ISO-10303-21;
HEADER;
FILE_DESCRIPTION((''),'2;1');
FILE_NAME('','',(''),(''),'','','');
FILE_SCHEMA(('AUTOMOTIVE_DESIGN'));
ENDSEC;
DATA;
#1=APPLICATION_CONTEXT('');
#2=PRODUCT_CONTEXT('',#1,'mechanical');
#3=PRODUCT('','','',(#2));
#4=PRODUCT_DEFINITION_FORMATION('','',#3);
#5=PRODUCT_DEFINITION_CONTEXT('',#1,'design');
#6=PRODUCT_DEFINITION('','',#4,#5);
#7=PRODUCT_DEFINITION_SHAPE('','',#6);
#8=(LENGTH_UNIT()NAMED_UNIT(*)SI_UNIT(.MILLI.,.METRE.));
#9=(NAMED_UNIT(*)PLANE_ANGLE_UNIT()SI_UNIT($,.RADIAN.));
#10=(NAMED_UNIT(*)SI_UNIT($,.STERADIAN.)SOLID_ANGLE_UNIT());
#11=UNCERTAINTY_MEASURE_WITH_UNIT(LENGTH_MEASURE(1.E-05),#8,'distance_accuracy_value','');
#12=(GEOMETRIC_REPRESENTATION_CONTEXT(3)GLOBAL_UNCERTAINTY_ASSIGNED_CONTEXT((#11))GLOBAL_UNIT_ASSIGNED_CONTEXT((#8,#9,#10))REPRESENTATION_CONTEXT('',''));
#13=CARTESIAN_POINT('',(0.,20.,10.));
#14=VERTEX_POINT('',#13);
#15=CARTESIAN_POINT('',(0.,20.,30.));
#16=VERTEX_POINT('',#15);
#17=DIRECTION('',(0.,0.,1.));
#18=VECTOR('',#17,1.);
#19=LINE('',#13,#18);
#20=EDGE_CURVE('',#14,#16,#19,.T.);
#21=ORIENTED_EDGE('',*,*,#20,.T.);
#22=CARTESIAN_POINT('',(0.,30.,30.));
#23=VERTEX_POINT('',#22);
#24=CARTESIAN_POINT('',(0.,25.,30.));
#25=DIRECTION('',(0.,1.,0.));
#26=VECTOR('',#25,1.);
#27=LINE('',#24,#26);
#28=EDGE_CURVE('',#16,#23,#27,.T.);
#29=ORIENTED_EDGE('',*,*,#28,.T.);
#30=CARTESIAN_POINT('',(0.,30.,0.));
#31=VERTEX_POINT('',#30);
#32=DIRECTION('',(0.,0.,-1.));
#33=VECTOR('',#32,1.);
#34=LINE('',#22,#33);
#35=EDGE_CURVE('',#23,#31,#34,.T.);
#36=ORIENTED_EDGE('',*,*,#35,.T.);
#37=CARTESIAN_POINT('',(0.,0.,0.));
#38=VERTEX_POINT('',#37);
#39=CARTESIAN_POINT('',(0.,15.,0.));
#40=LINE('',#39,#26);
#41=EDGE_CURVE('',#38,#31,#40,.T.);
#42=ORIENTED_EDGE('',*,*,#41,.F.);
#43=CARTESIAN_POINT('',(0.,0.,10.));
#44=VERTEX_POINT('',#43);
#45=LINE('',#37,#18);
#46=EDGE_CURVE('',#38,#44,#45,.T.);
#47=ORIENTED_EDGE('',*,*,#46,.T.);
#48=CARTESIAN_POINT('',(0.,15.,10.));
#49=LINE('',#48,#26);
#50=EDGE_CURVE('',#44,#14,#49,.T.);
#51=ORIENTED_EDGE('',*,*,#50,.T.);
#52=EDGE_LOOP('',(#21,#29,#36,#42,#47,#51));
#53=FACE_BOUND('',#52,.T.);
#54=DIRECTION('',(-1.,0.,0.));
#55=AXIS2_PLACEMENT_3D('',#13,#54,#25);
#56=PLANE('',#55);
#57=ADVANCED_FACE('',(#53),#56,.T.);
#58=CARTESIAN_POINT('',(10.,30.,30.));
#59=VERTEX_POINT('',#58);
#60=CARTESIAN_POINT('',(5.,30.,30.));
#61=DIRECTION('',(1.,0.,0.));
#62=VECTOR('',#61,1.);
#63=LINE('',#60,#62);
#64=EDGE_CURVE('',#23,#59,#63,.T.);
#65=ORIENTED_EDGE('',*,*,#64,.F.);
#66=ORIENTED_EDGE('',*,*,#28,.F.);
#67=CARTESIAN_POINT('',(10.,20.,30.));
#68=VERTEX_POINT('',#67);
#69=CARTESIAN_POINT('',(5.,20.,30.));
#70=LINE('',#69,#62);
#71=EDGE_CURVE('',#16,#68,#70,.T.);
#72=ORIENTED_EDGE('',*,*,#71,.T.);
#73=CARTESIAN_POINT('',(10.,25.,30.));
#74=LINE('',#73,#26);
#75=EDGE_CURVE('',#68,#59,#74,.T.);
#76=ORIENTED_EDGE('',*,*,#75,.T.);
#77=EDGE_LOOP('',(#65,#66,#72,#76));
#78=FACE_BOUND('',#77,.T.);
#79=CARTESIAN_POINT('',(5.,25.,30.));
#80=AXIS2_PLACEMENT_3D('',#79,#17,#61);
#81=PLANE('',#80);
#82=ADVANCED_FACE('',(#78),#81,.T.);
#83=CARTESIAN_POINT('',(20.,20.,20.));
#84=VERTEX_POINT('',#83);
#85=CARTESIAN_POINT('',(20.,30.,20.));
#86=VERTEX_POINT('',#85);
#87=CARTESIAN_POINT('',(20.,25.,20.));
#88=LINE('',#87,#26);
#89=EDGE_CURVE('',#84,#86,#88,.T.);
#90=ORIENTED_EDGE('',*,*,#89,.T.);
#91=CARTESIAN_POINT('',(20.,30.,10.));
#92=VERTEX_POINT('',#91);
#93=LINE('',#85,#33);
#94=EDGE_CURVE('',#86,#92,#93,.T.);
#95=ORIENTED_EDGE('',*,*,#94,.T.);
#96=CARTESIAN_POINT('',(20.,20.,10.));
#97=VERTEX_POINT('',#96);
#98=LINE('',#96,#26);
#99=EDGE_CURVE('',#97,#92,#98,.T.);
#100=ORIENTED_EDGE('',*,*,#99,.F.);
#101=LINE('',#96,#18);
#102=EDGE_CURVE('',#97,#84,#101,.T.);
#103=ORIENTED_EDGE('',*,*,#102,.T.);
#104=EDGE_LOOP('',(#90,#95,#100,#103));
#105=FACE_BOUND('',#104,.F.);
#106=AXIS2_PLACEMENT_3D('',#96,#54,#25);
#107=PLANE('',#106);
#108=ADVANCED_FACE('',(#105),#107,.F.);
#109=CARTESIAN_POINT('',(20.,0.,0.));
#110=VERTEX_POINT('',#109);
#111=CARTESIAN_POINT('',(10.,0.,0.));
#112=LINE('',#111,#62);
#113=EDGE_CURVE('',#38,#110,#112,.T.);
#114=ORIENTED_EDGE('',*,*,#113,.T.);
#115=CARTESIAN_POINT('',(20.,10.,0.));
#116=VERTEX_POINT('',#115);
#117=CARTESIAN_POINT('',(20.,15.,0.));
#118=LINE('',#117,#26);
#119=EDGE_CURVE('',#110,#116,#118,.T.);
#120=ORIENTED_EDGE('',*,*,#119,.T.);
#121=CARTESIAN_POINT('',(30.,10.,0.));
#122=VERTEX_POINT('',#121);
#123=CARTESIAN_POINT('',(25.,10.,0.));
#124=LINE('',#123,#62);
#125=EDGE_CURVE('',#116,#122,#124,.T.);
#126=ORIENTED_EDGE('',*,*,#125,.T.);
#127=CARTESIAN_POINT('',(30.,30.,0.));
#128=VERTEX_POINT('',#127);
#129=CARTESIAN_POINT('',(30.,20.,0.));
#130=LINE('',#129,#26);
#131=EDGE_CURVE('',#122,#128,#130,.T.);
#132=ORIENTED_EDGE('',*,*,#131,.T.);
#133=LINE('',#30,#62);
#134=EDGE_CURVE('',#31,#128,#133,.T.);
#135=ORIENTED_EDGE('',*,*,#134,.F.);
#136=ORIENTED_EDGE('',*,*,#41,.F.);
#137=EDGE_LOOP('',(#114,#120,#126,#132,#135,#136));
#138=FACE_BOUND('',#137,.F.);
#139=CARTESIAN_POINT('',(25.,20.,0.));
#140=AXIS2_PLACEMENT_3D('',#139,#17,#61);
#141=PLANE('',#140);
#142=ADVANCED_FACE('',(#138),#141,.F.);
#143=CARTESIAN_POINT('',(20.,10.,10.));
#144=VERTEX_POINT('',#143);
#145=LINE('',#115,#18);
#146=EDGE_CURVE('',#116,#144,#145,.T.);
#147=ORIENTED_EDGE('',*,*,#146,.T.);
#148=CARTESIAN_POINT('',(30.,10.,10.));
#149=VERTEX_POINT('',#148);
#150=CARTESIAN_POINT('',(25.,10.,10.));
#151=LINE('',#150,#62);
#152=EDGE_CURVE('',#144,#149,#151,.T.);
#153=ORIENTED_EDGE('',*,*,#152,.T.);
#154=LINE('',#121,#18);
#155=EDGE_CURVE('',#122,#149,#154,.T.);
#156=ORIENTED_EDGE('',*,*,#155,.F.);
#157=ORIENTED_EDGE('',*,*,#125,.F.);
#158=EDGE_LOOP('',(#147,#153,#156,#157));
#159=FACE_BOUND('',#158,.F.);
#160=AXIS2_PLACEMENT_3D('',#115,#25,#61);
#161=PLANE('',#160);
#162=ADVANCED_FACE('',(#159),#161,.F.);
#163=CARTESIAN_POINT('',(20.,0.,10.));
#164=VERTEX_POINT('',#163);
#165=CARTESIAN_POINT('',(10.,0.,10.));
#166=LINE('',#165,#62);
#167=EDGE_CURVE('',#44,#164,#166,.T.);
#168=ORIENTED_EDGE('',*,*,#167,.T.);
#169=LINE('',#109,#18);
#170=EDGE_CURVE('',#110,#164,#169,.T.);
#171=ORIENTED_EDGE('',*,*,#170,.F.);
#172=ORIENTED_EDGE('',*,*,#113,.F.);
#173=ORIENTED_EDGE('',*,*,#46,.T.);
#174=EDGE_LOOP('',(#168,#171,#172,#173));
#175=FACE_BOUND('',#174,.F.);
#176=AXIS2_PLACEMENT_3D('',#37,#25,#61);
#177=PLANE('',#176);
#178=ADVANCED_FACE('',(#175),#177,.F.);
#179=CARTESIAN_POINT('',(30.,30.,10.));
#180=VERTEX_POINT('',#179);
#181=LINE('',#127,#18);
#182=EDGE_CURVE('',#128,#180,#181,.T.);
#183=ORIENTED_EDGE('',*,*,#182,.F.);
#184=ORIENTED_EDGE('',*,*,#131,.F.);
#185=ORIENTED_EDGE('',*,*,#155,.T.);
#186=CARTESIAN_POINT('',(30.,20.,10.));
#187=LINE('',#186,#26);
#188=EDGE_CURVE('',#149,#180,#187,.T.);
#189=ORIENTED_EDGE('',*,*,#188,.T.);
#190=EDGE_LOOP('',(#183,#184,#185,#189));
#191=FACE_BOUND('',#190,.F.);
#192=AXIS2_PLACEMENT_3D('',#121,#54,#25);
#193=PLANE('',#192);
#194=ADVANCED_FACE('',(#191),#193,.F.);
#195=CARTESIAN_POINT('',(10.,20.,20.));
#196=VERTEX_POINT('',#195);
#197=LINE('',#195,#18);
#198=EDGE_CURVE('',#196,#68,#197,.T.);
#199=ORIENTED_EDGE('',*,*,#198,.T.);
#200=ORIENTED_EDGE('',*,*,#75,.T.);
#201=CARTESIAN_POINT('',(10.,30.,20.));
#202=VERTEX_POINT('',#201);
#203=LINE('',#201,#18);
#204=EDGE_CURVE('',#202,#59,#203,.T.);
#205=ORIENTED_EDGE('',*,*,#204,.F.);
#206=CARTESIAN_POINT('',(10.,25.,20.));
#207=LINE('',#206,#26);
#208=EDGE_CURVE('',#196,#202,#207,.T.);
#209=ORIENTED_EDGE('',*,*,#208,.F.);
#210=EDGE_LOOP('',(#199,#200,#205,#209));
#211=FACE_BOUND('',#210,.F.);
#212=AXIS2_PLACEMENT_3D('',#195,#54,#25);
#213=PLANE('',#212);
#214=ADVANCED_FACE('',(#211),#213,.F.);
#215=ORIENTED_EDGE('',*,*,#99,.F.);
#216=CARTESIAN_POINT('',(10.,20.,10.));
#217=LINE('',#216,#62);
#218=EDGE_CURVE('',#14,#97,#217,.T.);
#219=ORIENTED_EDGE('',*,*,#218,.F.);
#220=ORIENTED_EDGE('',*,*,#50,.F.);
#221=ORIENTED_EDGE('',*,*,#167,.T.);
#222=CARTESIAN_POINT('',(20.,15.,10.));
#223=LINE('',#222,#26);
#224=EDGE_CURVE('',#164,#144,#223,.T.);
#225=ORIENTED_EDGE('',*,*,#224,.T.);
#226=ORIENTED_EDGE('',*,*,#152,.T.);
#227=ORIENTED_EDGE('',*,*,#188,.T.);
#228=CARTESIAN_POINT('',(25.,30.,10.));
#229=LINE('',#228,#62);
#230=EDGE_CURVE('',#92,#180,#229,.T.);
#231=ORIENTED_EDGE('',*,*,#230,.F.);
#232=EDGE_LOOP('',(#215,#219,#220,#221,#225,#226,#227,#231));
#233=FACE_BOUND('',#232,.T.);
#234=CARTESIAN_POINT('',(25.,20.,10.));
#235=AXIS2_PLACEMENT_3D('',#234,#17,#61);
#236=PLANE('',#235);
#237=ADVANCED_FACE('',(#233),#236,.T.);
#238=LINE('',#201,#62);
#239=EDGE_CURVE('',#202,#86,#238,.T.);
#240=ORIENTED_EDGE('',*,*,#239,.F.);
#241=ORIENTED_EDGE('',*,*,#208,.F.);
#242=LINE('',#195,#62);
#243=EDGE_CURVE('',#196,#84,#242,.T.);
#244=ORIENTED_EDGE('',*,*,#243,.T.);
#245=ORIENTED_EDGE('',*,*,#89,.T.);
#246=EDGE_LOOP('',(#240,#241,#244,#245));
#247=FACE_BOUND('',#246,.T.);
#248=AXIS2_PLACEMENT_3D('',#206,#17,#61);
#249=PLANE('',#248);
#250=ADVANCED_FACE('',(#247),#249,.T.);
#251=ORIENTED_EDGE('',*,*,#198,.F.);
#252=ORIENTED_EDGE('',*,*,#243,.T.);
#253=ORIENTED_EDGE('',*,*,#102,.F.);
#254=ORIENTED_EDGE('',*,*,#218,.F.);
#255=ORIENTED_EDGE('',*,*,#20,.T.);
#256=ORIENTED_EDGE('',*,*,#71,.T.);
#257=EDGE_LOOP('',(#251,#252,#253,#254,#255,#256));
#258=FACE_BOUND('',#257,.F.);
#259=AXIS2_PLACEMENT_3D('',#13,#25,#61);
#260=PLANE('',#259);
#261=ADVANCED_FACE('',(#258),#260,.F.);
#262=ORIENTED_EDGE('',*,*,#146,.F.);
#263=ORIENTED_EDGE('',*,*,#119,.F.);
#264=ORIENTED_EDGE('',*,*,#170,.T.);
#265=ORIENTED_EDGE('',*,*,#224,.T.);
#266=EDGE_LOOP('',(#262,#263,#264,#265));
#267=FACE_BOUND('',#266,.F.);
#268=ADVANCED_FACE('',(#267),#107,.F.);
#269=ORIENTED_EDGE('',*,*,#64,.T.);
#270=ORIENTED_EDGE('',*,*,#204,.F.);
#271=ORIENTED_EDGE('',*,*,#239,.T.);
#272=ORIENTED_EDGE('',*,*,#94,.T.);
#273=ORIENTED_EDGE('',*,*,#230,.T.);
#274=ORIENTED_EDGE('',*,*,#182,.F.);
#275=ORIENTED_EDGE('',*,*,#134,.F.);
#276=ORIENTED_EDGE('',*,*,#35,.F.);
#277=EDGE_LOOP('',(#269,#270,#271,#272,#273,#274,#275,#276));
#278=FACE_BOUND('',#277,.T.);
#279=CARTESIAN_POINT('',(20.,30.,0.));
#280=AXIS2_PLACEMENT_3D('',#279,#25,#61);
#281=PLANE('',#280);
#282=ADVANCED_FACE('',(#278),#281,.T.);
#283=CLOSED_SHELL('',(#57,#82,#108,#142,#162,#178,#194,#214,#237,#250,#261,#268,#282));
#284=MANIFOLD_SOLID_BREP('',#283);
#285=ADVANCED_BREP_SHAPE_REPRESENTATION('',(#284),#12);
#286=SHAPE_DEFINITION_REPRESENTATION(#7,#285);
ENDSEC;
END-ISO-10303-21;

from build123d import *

# Parameters (mm, degrees)
BOX002_W     = 10
BOX002_H     = 10
BOX002_DEPTH = 10
BOX003_W     = 20
BOX003_H     = 10
BOX003_DEPTH = 10
BOX004_W     = 10
BOX004_H     = 20
BOX004_DEPTH = 10
BOX_W        = 20
BOX_H        = 30
BOX_DEPTH    = 10


with BuildPart() as cubo002:
    # Box002 → Box002 (new body)
    with BuildSketch(Plane(origin=(0, 20, 20), x_dir=(1, 0, 0), z_dir=(0, 0, 1))):
        with Locations((5, 5)):
            Rectangle(BOX002_W, BOX002_H)
    extrude(amount=BOX002_DEPTH)


with BuildPart() as cubo003:
    # Box003 → Box003 (new body)
    with BuildSketch(Plane(origin=(0, 20, 10), x_dir=(1, 0, 0), z_dir=(0, 0, 1))):
        with Locations((10, 5)):
            Rectangle(BOX003_W, BOX003_H)
    extrude(amount=BOX003_DEPTH)


with BuildPart() as cubo004:
    # Box004 → Box004 (new body)
    with BuildSketch(Plane(origin=(20, 10, 0), x_dir=(1, 0, 0), z_dir=(0, 0, 1))):
        with Locations((5, 10)):
            Rectangle(BOX004_W, BOX004_H)
    extrude(amount=BOX004_DEPTH)


with BuildPart() as fusion:
    # Box → Box (new body)
    with BuildSketch(Plane.XY):
        with Locations((10, 15)):
            Rectangle(BOX_W, BOX_H)
    extrude(amount=BOX_DEPTH)

    # Fusion: union Cubo002, Cubo003, Cubo004
    add(cubo002.part)
    add(cubo003.part)
    add(cubo004.part)


solid = fusion.part
